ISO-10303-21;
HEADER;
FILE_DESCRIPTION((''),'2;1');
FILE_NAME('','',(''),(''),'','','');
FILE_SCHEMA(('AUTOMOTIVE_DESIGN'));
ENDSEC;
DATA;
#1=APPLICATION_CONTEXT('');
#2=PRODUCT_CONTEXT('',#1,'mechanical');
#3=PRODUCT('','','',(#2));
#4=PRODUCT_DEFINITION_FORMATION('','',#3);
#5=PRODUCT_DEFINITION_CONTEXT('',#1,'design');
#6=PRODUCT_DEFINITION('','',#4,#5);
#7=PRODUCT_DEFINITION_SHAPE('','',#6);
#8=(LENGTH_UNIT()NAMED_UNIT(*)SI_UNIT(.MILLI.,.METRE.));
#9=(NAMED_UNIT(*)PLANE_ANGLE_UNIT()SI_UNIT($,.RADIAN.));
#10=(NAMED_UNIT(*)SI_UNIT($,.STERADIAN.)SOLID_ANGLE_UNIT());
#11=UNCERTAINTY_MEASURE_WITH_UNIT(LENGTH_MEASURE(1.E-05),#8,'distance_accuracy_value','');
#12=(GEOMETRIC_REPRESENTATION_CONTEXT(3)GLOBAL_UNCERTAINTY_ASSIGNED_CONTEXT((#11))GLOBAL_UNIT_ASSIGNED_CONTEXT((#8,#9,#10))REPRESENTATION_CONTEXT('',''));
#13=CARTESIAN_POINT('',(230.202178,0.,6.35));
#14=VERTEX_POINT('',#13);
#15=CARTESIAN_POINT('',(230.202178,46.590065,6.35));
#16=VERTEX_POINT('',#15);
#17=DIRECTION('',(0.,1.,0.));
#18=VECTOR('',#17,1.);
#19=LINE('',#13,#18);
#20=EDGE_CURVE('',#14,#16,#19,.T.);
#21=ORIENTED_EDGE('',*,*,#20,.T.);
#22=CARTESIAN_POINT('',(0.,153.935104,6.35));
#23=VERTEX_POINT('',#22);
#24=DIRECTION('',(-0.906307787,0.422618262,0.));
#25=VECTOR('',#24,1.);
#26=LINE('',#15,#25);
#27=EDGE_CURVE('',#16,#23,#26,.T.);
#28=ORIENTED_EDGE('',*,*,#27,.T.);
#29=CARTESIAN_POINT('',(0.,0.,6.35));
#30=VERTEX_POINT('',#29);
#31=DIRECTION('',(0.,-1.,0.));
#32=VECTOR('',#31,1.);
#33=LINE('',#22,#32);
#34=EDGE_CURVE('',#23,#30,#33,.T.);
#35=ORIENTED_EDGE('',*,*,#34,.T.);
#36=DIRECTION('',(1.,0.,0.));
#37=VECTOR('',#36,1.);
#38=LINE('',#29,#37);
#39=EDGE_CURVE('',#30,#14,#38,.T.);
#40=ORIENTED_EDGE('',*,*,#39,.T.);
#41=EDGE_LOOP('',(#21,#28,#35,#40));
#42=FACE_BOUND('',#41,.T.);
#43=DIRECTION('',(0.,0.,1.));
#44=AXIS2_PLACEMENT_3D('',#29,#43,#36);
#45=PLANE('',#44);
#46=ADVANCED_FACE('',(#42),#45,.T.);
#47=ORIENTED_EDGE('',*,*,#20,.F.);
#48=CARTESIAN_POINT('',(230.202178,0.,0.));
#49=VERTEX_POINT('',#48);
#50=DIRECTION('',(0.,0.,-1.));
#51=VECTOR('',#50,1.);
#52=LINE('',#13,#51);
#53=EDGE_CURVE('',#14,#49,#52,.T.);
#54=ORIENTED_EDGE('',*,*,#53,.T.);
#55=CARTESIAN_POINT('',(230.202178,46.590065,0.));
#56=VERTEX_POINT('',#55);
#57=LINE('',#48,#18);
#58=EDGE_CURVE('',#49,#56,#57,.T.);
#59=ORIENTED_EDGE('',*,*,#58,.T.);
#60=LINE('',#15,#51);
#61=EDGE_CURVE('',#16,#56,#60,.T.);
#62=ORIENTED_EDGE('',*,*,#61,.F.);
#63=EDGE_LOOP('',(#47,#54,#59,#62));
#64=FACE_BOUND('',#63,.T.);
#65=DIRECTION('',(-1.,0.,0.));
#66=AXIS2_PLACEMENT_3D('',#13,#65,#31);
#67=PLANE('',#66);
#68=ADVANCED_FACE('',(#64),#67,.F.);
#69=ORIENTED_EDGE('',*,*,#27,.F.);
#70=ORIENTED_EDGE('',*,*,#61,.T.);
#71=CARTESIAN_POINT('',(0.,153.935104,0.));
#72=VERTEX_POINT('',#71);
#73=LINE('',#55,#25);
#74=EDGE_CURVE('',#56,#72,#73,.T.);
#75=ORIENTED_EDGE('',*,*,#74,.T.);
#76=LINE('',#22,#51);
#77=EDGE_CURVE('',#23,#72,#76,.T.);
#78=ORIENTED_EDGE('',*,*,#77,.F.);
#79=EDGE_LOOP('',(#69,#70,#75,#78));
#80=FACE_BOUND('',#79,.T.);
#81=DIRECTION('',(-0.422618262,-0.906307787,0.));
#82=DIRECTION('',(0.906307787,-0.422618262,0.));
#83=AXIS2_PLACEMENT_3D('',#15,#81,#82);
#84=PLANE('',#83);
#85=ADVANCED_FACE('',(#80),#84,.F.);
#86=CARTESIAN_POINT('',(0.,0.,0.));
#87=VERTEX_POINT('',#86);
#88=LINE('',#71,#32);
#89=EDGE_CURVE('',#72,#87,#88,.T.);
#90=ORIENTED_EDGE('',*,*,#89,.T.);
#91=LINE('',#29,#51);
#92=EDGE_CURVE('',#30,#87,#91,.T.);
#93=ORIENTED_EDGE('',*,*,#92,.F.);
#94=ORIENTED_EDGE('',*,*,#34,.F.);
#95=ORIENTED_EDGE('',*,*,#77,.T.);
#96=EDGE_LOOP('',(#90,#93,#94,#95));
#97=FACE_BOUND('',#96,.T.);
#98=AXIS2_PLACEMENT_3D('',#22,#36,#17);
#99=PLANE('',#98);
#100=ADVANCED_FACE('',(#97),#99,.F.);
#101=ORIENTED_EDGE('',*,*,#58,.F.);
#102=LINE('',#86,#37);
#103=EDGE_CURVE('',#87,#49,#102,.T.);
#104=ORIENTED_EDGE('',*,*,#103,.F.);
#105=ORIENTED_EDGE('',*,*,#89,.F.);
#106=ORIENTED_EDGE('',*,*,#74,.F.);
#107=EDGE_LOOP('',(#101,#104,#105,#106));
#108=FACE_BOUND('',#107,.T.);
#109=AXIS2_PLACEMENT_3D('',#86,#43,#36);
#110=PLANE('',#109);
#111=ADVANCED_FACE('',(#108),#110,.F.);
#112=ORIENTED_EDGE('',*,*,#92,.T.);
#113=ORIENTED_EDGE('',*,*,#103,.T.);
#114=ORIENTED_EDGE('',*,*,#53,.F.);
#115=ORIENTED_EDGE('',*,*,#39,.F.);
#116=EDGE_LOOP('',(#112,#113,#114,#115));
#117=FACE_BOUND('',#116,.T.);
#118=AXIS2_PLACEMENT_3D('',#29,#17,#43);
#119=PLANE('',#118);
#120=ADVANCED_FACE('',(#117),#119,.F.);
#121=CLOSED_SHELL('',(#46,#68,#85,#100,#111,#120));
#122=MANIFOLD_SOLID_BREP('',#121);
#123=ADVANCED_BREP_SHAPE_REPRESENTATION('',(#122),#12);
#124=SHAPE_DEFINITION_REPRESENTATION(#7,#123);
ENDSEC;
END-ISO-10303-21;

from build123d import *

# Parameters (mm, degrees)
BOSS_EXTRUDE1_DEPTH = 6.35


with BuildPart() as part:
    # Sketch1 → Boss-Extrude1 (new body)
    with BuildSketch(Plane.XY):
        Polygon((0, 0), (230.202177907, 0), (230.202177907, 46.590065352), (0, 153.935103834), align=None)
    extrude(amount=BOSS_EXTRUDE1_DEPTH)


solid = part.part
